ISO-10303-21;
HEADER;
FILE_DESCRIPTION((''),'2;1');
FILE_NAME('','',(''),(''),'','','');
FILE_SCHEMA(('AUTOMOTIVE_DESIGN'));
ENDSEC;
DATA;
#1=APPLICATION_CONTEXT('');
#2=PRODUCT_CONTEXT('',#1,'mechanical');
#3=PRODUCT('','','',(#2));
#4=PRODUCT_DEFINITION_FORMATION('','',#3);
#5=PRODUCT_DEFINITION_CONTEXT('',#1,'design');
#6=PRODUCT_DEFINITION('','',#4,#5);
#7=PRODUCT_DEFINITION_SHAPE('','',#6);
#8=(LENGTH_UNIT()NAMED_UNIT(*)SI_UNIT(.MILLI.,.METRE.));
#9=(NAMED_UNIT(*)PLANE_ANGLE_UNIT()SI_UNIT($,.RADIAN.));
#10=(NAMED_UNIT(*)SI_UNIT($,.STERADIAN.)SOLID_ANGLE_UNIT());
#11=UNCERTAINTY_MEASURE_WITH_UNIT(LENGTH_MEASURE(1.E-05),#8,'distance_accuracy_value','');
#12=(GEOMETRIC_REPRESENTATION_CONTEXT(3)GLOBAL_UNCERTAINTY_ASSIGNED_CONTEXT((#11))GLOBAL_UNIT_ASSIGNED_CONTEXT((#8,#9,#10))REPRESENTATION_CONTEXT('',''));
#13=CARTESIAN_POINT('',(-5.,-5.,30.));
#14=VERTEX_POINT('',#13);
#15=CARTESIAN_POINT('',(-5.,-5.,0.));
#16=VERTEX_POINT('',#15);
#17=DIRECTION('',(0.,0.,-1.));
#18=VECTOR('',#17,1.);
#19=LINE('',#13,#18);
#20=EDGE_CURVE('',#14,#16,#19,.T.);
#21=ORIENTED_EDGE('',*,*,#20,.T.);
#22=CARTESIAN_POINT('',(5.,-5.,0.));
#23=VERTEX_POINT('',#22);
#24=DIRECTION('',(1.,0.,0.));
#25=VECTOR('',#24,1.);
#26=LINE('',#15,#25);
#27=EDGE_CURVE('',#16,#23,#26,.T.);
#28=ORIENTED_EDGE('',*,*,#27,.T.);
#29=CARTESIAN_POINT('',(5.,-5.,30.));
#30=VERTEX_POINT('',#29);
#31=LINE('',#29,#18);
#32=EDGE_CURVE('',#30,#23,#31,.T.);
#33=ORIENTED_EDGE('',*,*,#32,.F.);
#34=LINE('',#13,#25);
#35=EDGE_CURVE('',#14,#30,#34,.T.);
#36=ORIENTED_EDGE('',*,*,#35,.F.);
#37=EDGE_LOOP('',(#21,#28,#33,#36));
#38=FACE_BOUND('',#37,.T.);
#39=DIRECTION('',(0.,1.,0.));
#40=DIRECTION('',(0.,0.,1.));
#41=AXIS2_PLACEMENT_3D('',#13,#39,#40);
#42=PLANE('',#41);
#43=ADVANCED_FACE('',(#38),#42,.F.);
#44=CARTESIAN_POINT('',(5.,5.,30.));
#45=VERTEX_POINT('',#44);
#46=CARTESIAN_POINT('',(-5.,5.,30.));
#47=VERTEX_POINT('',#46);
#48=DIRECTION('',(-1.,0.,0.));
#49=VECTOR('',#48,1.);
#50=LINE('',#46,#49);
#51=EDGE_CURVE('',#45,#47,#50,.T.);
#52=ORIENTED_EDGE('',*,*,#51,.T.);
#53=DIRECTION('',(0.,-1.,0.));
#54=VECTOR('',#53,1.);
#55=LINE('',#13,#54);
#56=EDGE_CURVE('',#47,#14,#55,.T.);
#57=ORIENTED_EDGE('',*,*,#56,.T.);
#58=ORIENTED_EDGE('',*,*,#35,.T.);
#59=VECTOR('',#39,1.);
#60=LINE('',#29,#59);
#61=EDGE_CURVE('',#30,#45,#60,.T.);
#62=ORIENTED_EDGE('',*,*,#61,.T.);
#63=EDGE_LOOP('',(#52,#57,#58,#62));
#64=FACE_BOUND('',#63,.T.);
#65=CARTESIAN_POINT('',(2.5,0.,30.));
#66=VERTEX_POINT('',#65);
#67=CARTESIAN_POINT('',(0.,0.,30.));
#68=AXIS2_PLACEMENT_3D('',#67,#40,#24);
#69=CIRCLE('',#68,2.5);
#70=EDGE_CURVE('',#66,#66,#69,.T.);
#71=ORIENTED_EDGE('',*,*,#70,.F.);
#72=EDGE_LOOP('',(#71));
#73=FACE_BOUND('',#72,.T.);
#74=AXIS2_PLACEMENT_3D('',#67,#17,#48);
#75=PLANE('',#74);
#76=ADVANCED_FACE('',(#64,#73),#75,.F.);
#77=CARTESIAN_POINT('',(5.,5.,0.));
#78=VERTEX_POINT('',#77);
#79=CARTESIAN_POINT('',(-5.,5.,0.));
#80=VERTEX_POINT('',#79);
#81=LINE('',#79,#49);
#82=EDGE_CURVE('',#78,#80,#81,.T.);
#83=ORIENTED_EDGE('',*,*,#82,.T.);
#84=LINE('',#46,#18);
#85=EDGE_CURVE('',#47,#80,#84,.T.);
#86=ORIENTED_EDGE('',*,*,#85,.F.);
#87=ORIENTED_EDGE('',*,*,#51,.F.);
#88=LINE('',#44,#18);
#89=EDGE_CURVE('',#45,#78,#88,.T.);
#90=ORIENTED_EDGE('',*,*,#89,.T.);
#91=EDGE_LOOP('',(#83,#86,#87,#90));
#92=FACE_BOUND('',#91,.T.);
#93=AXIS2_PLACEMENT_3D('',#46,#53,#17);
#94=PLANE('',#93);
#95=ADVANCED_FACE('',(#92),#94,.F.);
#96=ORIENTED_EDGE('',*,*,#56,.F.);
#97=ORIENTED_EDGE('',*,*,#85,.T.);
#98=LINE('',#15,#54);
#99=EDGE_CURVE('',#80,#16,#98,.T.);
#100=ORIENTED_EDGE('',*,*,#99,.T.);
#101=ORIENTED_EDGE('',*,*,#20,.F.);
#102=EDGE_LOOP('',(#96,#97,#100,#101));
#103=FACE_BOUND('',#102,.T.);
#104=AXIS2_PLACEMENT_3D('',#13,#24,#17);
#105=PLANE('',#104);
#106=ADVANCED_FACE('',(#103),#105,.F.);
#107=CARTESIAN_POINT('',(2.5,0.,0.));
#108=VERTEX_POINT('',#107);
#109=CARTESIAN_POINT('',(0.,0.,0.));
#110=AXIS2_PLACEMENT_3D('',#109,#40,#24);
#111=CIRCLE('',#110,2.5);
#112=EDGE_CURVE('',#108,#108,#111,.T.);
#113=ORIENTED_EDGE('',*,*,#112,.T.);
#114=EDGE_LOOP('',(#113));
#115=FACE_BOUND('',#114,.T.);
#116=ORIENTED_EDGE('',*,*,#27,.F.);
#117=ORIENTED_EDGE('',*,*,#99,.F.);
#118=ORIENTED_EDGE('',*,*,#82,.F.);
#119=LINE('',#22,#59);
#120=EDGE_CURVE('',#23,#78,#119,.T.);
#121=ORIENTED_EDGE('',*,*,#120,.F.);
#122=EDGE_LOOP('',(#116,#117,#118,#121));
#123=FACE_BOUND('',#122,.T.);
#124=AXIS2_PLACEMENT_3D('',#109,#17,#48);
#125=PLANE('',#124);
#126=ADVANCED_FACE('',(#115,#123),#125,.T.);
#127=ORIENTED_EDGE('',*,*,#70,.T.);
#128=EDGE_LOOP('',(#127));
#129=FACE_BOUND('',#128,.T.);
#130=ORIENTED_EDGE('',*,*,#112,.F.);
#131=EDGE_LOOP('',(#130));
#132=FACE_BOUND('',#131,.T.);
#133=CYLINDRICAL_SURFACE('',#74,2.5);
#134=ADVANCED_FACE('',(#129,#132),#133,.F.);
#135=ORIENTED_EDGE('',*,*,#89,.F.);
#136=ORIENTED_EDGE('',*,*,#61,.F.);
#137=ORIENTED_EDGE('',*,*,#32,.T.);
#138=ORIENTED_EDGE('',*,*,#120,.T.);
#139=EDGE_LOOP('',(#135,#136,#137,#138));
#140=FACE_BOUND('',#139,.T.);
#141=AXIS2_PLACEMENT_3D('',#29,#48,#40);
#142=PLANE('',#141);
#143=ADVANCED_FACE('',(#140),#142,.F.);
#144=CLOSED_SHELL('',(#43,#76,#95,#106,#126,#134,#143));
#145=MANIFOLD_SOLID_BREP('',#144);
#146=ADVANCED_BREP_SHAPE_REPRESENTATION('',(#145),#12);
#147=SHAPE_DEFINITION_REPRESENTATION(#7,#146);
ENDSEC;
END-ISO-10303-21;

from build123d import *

# Parameters (mm, degrees)
ESQUISSE1_W = 10
ESQUISSE1_H = 10
ESQUISSE1_R = 2.5
BASE_DEPTH  = 30


with BuildPart() as part:
    # Esquisse1 → BASE (new body)
    with BuildSketch(Plane.XY):
        Rectangle(ESQUISSE1_W, ESQUISSE1_H)
        Circle(ESQUISSE1_R, mode=Mode.SUBTRACT)
    extrude(amount=BASE_DEPTH)


solid = part.part
